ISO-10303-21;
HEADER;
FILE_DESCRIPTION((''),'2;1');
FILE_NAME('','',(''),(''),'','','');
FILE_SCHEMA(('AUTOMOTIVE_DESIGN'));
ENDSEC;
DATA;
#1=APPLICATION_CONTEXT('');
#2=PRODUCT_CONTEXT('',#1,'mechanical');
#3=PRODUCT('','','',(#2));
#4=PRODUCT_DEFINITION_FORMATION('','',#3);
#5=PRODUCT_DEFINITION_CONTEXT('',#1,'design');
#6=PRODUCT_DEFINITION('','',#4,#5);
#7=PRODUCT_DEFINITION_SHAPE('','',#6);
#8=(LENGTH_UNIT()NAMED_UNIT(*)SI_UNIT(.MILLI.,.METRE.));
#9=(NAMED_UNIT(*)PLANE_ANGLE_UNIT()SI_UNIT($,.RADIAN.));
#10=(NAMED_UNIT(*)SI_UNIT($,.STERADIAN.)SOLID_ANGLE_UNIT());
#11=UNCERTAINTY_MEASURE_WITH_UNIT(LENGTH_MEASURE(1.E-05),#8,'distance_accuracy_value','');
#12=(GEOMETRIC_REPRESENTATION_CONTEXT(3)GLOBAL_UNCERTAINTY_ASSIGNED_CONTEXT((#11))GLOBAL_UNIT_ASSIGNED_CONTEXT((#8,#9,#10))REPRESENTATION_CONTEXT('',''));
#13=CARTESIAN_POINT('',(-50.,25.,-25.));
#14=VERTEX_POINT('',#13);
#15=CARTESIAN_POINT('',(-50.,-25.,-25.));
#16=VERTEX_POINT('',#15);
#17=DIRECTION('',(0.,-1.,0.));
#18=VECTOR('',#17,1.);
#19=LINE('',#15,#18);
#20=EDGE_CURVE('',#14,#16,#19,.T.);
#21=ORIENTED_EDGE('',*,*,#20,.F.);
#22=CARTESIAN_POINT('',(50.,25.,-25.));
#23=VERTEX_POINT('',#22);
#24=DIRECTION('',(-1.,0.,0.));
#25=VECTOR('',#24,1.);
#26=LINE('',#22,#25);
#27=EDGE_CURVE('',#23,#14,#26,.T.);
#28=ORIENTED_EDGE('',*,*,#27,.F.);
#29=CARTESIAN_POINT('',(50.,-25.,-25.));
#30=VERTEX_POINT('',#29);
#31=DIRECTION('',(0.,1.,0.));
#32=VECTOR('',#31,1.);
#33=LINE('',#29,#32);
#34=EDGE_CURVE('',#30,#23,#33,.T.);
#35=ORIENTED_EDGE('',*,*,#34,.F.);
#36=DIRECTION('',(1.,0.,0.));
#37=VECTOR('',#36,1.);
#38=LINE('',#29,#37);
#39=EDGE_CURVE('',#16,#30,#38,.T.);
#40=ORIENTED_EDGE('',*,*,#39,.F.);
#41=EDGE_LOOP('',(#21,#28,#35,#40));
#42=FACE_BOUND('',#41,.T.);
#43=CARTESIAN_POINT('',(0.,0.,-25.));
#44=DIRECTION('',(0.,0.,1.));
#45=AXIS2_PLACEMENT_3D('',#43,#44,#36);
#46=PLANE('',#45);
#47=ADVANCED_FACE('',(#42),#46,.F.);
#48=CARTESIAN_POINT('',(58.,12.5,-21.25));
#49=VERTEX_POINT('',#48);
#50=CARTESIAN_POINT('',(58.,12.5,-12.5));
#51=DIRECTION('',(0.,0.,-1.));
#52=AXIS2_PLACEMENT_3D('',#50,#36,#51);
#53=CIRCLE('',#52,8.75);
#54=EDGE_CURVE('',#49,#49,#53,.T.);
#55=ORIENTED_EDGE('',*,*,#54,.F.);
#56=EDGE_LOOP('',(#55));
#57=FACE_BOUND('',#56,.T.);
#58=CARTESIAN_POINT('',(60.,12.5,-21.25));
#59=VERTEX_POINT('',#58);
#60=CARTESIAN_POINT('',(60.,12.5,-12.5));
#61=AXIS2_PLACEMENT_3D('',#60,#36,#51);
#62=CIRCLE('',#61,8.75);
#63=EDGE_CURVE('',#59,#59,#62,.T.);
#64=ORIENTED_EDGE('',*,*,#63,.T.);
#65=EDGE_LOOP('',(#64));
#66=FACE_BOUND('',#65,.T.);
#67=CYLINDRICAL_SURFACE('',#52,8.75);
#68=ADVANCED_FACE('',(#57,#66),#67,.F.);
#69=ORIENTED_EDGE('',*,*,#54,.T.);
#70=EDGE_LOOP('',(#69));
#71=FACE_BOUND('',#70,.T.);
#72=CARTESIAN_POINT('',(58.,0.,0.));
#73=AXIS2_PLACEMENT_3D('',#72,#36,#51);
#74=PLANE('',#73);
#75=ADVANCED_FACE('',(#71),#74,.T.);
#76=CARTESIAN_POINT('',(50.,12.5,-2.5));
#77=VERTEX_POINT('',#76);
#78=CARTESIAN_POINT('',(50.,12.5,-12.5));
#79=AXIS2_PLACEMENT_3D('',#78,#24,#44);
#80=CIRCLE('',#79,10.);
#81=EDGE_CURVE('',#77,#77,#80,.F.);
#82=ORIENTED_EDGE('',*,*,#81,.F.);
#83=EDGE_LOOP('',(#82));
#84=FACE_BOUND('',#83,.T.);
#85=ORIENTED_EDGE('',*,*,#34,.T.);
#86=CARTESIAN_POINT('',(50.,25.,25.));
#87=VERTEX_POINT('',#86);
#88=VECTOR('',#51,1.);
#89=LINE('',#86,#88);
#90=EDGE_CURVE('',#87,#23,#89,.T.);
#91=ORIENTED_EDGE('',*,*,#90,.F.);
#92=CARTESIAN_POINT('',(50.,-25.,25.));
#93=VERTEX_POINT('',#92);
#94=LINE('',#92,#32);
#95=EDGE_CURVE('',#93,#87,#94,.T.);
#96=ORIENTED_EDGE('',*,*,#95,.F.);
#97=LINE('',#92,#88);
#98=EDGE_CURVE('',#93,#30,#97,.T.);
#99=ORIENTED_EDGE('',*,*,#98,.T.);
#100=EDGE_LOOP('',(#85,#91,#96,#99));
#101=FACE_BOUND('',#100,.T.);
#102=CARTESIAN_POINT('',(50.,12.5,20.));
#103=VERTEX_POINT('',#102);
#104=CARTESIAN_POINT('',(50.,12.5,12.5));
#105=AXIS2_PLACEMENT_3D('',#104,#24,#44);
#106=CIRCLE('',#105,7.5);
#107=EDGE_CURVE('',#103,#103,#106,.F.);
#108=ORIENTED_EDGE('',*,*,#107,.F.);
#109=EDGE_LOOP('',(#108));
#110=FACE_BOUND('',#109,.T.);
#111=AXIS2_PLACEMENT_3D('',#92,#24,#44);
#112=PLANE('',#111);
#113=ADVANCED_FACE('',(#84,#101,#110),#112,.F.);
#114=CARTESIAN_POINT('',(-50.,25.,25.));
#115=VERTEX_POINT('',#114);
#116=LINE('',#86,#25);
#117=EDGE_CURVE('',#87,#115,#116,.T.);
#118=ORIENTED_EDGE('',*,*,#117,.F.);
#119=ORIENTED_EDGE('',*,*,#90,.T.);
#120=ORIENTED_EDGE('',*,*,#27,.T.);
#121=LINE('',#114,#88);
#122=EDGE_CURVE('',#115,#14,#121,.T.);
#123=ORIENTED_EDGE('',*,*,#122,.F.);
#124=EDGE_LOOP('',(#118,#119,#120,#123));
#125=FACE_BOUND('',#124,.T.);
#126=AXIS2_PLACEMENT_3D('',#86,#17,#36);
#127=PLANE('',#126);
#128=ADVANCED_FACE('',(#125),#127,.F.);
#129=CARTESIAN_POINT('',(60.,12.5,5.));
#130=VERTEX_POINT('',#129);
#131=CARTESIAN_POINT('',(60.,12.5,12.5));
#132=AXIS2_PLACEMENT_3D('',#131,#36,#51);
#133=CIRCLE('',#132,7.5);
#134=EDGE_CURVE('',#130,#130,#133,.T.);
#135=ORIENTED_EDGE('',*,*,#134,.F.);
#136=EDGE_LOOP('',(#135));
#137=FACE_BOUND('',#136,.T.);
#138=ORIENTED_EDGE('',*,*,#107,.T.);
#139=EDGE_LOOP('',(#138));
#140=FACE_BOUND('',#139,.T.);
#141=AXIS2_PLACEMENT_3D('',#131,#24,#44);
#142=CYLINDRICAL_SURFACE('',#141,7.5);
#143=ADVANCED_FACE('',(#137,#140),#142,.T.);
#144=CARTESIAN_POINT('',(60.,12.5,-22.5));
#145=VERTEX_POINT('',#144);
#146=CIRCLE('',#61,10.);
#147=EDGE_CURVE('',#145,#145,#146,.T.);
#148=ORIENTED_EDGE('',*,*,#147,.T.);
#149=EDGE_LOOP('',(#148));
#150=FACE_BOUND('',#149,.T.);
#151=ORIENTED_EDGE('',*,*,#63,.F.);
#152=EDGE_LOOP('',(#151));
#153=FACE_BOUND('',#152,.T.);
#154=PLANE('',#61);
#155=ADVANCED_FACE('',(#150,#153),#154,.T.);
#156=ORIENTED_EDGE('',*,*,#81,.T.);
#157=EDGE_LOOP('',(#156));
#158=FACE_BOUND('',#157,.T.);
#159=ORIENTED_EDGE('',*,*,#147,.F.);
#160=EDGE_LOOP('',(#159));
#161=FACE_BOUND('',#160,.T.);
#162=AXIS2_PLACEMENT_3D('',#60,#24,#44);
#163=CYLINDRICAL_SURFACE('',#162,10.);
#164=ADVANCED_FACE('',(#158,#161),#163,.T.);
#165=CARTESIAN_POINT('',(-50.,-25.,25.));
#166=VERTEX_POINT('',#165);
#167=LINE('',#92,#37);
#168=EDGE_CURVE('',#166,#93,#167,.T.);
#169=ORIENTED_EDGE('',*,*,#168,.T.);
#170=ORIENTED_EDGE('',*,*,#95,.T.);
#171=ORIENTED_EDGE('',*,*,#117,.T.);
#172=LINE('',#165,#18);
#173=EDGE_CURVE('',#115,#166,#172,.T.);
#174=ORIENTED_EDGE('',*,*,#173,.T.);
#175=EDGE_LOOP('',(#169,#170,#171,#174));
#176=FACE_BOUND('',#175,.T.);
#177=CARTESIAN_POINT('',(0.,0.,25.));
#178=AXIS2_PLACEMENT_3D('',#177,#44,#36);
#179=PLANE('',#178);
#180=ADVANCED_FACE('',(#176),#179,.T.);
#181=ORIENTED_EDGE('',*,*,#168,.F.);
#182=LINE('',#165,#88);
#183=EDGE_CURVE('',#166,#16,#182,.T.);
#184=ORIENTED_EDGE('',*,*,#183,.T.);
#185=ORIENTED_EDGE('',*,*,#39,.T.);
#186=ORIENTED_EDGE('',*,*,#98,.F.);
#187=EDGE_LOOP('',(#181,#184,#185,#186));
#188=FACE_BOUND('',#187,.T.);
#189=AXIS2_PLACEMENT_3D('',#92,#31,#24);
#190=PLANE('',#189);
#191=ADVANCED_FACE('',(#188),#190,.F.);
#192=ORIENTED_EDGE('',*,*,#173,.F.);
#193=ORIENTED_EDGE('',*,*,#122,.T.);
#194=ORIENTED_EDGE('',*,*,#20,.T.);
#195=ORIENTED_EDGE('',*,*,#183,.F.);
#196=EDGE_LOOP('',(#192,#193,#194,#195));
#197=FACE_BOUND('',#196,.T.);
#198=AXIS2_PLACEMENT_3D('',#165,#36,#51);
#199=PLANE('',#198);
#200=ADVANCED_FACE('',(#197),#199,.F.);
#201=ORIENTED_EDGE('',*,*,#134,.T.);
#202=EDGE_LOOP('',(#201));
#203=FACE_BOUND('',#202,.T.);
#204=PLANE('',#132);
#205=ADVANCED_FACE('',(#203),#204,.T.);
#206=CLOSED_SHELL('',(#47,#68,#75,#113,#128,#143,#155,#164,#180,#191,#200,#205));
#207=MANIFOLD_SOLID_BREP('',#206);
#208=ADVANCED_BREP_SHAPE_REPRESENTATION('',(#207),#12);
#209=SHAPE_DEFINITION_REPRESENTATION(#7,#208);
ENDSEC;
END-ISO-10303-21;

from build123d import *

# Parameters (mm, degrees)
SKETCH_1_W          = 100
SKETCH_1_H          = 50
EXTRUDE_1_DEPTH     = 25
SKETCH_2_R          = 10
SKETCH_2_R_2        = 7.5
EXTRUDE_2_DEPTH     = 10
SKETCH_3_R          = 8.75
CUT_EXTRUDE_1_DEPTH = 2


with BuildPart() as part:
    # 스케치1 → 보스-돌출1 (new, symmetric)
    with BuildSketch(Plane.XY):
        Rectangle(SKETCH_1_W, SKETCH_1_H)
    extrude(amount=EXTRUDE_1_DEPTH, both=True)

    # 스케치2 → 보스-돌출2 (add)
    with BuildSketch(Plane(origin=(50, 0, 0), x_dir=(0, 0, -1), z_dir=(1, 0, 0))):
        with Locations(Location((12.5, 12.5, 0), (0, 0, 180))):
            Circle(SKETCH_2_R)
        with Locations(Location((-12.5, 12.5, 0), (0, 0, 180))):
            Circle(SKETCH_2_R_2)
    extrude(amount=EXTRUDE_2_DEPTH)

    # 스케치3 → 컷-돌출1 (cut)
    with BuildSketch(Plane(origin=(60, 0, 0), x_dir=(0, 0, -1), z_dir=(1, 0, 0))):
        with Locations((12.5, 12.5)):
            Circle(SKETCH_3_R)
    extrude(amount=-CUT_EXTRUDE_1_DEPTH, mode=Mode.SUBTRACT)


solid = part.part
